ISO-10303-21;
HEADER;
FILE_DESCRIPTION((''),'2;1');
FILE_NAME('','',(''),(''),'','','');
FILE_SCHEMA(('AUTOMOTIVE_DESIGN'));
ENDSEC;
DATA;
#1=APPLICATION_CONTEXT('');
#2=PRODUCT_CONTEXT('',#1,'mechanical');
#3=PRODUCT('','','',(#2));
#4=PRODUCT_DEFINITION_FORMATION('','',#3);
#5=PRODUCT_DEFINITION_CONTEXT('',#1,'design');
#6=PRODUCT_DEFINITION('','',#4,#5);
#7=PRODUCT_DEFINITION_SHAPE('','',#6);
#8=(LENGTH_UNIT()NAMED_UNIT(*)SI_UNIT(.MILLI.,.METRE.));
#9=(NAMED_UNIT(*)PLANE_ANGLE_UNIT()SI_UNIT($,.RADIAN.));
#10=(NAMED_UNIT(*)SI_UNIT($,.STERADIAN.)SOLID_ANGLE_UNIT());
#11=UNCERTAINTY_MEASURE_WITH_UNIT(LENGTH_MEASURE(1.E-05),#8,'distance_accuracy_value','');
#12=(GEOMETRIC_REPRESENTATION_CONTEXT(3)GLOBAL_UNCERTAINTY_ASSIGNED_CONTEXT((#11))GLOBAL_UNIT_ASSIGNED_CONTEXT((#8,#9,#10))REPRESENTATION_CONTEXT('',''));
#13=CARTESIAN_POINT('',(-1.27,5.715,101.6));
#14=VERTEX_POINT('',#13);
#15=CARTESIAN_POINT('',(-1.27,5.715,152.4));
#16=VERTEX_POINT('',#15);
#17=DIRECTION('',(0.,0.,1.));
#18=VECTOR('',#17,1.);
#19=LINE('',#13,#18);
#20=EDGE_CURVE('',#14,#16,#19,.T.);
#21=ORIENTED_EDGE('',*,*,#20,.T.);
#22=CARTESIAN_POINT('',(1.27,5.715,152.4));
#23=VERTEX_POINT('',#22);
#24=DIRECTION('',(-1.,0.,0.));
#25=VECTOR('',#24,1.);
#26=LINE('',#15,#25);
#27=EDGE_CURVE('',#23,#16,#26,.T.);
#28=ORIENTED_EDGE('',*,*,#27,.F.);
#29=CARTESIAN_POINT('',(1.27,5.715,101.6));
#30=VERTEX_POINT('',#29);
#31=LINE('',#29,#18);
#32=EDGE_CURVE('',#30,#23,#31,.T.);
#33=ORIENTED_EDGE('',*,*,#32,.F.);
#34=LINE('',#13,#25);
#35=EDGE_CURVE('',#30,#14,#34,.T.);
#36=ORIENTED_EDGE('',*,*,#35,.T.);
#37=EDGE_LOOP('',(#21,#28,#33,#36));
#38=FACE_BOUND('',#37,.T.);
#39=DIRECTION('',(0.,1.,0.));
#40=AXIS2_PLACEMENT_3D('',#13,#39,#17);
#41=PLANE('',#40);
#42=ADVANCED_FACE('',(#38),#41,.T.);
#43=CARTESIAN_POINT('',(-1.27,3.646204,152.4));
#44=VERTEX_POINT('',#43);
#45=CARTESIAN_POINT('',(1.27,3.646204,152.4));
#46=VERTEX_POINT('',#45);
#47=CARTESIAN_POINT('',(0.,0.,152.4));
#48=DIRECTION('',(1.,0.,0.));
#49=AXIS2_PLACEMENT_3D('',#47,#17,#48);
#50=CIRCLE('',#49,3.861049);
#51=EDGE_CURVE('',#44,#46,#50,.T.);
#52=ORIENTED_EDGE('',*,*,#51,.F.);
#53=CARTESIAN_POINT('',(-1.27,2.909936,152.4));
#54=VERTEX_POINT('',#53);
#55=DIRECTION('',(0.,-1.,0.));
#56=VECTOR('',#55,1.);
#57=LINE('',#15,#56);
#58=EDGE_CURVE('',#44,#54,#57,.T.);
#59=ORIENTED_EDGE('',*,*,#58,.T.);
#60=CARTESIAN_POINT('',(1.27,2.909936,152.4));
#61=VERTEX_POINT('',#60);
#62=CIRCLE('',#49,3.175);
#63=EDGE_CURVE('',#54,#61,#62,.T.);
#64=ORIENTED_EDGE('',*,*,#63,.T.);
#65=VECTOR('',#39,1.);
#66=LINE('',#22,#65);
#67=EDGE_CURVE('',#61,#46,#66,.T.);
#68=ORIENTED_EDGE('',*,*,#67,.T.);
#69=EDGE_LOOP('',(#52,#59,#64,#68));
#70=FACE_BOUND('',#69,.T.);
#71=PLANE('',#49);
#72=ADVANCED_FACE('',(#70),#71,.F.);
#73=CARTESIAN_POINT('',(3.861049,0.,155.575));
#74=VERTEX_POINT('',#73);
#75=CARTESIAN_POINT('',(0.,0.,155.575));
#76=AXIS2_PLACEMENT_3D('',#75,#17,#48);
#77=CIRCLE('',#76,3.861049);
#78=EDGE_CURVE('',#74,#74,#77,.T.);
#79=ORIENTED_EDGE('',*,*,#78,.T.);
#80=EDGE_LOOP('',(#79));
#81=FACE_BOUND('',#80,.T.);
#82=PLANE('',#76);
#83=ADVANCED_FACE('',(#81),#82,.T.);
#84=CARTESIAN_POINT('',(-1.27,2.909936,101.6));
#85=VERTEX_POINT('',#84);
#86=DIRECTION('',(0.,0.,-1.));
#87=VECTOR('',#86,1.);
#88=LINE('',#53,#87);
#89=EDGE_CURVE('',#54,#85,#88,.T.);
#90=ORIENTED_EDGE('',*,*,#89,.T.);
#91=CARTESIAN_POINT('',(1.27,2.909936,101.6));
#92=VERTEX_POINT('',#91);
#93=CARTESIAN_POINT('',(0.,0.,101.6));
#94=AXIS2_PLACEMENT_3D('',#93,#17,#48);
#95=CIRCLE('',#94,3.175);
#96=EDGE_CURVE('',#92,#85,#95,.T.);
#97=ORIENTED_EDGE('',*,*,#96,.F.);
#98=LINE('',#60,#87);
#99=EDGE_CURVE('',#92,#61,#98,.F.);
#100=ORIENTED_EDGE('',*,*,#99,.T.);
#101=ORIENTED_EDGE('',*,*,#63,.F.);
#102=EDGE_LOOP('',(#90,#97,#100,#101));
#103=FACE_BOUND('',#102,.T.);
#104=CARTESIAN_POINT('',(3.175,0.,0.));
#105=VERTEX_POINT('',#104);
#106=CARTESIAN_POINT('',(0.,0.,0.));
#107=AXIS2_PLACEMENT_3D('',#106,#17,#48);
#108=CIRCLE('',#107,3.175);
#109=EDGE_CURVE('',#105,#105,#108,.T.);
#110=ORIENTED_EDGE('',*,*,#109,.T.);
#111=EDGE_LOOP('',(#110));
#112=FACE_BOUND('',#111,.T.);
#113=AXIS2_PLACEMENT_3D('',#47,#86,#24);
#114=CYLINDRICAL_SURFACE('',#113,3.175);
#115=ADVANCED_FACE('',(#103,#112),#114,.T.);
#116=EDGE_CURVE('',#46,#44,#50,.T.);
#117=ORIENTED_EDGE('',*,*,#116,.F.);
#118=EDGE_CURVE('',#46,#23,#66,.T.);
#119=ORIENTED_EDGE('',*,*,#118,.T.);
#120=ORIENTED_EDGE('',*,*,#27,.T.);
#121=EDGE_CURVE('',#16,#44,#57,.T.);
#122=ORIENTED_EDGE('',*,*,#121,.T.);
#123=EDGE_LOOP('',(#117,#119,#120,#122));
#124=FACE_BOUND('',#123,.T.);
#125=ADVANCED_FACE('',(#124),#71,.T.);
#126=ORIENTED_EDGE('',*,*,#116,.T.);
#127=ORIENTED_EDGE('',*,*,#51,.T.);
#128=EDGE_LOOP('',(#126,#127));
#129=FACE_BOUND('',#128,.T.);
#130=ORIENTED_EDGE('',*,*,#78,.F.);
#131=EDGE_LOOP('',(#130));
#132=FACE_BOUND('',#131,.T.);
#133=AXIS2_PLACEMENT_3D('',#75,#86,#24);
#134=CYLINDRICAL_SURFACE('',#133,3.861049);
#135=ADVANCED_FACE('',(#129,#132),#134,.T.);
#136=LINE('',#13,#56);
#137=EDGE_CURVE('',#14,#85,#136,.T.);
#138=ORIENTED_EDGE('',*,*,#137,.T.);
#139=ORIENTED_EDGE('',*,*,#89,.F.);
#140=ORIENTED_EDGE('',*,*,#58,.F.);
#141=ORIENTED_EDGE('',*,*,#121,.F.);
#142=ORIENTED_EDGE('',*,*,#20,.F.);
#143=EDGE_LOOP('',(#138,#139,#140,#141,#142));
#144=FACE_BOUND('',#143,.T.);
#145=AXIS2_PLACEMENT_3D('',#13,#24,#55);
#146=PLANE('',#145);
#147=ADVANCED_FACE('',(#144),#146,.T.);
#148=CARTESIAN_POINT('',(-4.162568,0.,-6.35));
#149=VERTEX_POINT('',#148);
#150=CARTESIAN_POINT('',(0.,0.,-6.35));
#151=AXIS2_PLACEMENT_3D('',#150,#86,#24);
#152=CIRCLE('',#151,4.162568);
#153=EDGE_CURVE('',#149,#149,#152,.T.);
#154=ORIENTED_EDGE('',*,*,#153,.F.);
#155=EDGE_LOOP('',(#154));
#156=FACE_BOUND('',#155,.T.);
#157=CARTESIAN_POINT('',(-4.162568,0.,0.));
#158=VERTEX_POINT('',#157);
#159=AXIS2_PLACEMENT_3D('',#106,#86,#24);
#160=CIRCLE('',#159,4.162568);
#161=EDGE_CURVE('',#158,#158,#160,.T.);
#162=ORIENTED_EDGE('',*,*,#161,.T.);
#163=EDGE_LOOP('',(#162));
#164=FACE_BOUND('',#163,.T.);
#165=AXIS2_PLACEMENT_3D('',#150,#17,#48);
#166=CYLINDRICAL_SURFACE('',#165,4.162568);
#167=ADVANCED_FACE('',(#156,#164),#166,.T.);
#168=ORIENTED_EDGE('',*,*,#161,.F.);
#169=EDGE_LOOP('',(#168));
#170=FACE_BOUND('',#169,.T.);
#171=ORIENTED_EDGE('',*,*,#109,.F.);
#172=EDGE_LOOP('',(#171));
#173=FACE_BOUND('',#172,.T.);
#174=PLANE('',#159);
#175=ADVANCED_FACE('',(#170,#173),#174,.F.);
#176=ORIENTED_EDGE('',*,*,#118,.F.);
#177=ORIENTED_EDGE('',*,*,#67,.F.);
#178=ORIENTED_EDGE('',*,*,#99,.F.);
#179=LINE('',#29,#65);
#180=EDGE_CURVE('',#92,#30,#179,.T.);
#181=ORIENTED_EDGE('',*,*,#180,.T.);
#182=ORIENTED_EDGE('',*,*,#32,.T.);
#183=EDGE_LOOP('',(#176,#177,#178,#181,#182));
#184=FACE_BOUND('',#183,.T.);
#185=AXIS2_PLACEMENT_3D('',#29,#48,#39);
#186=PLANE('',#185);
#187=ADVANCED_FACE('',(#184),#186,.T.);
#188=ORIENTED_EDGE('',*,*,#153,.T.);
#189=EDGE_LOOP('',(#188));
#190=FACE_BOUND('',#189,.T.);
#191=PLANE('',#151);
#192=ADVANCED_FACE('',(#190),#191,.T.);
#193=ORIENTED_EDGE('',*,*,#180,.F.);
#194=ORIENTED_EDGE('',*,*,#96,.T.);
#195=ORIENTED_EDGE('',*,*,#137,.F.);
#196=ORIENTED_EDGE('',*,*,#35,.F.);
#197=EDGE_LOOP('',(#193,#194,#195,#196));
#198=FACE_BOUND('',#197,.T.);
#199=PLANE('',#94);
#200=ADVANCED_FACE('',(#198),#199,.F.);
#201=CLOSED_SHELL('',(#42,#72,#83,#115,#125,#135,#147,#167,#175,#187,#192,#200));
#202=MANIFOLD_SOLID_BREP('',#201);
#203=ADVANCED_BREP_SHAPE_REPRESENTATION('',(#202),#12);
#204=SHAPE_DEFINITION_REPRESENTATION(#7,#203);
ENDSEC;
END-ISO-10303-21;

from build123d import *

# Parameters (mm, degrees)
SKETCH1_R           = 3.175
BOSS_EXTRUDE1_DEPTH = 152.4
SKETCH2_W           = 2.54
SKETCH2_H           = 5.08
BOSS_EXTRUDE4_DEPTH = 50.8
SKETCH3_R           = 4.162568093
BOSS_EXTRUDE5_DEPTH = 6.35
SKETCH4_R           = 3.861049132
BOSS_EXTRUDE6_DEPTH = 3.175


with BuildPart() as part:
    # Sketch1 → Boss-Extrude1 (new body)
    with BuildSketch(Plane.XY):
        with Locations(Location((0, 0, 0), (0, 0, 180))):
            Circle(SKETCH1_R)
    extrude(amount=BOSS_EXTRUDE1_DEPTH)

    # Sketch2 → Boss-Extrude4 (add)
    with BuildSketch(Plane.XY.offset(152.4)):
        with Locations((0, 3.175)):
            Rectangle(SKETCH2_W, SKETCH2_H)
    extrude(amount=-BOSS_EXTRUDE4_DEPTH)

    # Sketch3 → Boss-Extrude5 (add)
    with BuildSketch(Plane(origin=(0, 0, 0), x_dir=(-1, 0, 0), z_dir=(0, 0, -1))):
        Circle(SKETCH3_R)
    extrude(amount=BOSS_EXTRUDE5_DEPTH)

    # Sketch4 → Boss-Extrude6 (add)
    with BuildSketch(Plane.XY.offset(152.4)):
        with Locations(Location((0, 0, 0), (0, 0, 109.203609726))):
            Circle(SKETCH4_R)
    extrude(amount=BOSS_EXTRUDE6_DEPTH)


solid = part.part
